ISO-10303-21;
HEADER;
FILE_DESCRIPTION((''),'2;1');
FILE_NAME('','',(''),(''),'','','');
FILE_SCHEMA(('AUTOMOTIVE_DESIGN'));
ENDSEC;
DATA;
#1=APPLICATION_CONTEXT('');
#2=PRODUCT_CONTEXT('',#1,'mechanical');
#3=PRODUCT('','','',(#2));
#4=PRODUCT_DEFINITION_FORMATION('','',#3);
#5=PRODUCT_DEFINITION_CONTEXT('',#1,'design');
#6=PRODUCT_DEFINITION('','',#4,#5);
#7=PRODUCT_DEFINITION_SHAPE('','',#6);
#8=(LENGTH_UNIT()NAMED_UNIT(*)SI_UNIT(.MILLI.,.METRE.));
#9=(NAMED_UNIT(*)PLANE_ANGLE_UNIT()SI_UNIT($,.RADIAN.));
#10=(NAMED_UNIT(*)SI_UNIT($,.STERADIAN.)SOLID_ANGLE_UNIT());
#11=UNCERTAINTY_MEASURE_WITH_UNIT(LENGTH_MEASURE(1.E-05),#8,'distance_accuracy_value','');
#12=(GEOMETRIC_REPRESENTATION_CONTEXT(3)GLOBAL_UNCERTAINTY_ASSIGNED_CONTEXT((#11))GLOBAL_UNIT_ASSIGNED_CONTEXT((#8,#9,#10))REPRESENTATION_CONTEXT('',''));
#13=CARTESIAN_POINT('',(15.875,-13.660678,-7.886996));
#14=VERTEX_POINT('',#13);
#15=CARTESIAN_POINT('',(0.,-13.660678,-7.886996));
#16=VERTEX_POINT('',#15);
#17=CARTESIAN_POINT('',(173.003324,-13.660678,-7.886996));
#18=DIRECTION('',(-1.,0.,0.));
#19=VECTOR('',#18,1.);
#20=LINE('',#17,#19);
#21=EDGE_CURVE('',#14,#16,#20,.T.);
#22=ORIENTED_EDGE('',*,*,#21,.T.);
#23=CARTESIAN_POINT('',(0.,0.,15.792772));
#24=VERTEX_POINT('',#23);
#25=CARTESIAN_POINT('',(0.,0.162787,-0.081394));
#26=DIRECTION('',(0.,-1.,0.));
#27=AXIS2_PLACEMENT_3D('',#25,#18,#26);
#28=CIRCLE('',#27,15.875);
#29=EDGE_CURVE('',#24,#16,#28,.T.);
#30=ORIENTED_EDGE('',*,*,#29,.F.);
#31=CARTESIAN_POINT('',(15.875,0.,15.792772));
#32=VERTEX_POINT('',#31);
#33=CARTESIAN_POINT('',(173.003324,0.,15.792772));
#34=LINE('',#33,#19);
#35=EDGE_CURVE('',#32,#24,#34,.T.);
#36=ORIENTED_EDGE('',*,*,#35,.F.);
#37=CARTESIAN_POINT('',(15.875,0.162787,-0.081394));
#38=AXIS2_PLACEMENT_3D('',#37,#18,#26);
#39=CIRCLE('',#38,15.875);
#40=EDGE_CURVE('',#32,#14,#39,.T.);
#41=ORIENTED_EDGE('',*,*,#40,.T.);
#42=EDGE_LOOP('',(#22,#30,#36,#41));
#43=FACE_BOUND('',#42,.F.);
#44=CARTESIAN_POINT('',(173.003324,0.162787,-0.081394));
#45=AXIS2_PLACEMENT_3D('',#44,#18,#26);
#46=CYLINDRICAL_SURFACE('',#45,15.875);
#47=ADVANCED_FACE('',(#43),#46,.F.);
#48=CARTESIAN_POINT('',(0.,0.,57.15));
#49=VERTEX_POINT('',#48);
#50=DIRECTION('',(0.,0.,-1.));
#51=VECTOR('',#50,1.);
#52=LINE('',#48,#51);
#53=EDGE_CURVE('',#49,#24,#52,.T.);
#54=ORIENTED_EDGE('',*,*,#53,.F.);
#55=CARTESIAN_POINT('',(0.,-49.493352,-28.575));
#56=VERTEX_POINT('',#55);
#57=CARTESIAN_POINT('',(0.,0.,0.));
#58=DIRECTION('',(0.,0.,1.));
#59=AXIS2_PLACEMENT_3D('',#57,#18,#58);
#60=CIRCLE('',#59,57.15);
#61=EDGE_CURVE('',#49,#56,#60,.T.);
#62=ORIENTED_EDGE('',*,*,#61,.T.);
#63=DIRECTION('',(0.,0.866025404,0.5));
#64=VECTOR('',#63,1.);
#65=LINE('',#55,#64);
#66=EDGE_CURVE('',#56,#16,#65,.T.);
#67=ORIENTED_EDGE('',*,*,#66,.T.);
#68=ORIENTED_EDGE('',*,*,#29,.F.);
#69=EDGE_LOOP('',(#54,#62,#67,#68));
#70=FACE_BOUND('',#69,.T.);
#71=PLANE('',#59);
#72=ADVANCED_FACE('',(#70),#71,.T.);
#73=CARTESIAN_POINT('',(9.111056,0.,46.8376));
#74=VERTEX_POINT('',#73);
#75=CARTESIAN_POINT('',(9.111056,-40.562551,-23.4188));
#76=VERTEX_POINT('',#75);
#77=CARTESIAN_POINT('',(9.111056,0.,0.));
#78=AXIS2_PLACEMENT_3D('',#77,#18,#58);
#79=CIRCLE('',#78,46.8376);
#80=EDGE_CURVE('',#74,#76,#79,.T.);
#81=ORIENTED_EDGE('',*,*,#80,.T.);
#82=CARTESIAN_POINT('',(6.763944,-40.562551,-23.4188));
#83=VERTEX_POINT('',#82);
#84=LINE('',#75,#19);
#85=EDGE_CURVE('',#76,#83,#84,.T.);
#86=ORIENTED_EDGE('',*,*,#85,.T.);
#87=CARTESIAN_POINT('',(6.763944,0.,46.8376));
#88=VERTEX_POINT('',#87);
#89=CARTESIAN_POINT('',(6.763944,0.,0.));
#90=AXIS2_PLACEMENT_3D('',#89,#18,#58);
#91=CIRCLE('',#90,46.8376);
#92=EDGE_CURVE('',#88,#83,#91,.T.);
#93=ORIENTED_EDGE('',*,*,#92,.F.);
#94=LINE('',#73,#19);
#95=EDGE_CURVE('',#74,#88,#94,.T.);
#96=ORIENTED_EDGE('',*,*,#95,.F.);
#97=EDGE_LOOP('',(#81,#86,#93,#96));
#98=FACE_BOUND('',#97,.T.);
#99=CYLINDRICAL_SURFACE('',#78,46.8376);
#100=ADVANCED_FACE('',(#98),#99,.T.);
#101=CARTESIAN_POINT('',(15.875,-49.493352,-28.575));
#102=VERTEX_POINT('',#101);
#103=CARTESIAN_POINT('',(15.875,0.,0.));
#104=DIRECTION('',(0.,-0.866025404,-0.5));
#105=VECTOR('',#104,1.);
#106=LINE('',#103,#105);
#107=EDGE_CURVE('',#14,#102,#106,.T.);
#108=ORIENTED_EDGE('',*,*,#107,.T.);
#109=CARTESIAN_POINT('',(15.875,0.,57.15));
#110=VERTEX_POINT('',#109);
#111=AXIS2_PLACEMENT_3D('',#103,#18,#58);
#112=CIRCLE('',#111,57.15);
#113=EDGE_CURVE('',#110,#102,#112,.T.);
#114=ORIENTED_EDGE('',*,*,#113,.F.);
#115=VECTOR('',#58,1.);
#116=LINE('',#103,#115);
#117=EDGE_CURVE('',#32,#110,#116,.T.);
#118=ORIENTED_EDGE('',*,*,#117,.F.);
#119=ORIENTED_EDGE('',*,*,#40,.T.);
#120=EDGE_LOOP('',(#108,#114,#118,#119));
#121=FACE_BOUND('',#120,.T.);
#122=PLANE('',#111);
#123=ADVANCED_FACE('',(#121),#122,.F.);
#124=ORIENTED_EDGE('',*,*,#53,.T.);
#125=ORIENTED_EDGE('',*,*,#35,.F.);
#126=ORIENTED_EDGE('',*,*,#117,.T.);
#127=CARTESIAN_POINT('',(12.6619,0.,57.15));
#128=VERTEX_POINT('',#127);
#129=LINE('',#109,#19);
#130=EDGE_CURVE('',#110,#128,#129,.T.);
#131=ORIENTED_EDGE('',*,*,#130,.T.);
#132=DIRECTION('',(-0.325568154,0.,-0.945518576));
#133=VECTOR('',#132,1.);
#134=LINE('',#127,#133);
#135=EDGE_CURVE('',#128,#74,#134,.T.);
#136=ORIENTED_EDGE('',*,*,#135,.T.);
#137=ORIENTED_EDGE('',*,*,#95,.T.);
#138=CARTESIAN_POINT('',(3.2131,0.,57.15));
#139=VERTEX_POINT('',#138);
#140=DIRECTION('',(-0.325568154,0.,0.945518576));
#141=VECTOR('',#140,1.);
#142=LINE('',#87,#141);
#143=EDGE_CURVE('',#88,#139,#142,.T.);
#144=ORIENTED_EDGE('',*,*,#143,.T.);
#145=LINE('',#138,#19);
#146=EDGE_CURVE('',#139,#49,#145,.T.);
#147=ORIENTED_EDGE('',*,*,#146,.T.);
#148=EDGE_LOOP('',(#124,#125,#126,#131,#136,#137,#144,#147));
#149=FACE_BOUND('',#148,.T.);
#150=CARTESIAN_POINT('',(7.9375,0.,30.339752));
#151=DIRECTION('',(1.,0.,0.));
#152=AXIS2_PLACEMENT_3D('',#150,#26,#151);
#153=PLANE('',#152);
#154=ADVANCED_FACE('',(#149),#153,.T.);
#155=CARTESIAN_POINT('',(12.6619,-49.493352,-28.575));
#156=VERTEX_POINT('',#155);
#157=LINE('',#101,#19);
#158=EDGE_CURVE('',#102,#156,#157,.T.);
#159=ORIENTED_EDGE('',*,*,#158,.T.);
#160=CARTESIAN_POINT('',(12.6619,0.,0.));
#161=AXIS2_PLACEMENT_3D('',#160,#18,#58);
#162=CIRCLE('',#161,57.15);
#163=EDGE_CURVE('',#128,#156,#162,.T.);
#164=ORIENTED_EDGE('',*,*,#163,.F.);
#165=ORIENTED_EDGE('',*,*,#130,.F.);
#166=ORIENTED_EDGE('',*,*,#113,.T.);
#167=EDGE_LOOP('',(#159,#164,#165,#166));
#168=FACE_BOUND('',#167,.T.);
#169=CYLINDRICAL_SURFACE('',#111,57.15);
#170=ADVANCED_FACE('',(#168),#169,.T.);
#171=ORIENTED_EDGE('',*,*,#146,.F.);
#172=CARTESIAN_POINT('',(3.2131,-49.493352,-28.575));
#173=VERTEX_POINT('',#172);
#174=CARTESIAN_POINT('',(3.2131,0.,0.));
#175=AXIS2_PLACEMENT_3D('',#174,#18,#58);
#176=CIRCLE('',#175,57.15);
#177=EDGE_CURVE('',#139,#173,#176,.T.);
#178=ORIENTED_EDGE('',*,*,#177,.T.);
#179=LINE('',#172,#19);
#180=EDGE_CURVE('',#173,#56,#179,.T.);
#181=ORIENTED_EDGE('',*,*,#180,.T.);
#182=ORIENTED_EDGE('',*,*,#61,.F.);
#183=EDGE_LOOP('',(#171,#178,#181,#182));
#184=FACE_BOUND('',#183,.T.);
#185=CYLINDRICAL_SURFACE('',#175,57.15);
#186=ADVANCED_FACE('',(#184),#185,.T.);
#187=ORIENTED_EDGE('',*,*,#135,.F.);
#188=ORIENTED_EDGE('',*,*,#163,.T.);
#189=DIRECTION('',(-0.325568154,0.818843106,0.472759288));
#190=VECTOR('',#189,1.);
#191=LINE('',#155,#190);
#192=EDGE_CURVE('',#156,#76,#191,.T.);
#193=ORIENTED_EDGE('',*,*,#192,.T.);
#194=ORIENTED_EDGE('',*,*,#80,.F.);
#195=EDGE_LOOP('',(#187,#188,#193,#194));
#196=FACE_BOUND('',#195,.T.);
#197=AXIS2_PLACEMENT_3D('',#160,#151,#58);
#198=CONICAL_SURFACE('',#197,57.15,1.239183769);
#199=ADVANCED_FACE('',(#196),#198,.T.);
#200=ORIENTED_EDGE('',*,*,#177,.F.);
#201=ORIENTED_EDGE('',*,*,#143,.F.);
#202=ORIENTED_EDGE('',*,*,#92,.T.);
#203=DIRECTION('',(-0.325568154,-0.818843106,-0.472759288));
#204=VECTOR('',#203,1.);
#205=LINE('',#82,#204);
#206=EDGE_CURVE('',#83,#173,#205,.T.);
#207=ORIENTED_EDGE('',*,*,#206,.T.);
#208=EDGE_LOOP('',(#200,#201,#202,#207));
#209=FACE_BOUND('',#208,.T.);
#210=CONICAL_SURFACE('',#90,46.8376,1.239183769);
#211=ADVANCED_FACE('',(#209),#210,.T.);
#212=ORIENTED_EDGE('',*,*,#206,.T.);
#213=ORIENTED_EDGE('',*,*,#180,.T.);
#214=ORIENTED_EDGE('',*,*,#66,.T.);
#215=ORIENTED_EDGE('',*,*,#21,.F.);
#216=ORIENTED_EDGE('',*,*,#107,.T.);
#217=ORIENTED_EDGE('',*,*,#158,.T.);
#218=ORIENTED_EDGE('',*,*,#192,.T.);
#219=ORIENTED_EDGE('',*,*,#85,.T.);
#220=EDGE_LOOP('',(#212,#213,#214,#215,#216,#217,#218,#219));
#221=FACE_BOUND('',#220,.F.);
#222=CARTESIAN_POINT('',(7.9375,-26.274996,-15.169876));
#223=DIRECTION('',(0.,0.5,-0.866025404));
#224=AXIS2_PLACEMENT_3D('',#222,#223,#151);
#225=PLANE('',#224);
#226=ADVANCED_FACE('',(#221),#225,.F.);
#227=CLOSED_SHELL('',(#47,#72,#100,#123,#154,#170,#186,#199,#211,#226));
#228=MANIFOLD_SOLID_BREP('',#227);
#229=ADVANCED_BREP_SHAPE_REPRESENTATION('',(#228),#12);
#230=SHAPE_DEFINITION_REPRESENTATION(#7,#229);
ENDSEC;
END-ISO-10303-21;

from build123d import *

# Parameters (mm, degrees)
F1_ANGLE = 240
F3_D     = 31.75


with BuildPart() as f1:
    # F0 (on Front) → F1 (revolve)
    with BuildSketch(Plane.XZ):
        Polygon((0, 57.15), (0, 0), (15.875, 0), (15.875, 57.15), (12.6619, 57.15), (9.1110559207, 46.8376), (6.7639440793, 46.8376), (3.2131, 57.15), align=None)
    revolve(axis=Axis((7.9375, 0, 0), (-1, 0, 0)), revolution_arc=F1_ANGLE)

    # F3 (through all)
    with Locations(Plane.YZ.offset(15.875)):
        with Locations((0.1627872261, -0.0813936931)):
            Hole(F3_D / 2)


solid = f1.part
